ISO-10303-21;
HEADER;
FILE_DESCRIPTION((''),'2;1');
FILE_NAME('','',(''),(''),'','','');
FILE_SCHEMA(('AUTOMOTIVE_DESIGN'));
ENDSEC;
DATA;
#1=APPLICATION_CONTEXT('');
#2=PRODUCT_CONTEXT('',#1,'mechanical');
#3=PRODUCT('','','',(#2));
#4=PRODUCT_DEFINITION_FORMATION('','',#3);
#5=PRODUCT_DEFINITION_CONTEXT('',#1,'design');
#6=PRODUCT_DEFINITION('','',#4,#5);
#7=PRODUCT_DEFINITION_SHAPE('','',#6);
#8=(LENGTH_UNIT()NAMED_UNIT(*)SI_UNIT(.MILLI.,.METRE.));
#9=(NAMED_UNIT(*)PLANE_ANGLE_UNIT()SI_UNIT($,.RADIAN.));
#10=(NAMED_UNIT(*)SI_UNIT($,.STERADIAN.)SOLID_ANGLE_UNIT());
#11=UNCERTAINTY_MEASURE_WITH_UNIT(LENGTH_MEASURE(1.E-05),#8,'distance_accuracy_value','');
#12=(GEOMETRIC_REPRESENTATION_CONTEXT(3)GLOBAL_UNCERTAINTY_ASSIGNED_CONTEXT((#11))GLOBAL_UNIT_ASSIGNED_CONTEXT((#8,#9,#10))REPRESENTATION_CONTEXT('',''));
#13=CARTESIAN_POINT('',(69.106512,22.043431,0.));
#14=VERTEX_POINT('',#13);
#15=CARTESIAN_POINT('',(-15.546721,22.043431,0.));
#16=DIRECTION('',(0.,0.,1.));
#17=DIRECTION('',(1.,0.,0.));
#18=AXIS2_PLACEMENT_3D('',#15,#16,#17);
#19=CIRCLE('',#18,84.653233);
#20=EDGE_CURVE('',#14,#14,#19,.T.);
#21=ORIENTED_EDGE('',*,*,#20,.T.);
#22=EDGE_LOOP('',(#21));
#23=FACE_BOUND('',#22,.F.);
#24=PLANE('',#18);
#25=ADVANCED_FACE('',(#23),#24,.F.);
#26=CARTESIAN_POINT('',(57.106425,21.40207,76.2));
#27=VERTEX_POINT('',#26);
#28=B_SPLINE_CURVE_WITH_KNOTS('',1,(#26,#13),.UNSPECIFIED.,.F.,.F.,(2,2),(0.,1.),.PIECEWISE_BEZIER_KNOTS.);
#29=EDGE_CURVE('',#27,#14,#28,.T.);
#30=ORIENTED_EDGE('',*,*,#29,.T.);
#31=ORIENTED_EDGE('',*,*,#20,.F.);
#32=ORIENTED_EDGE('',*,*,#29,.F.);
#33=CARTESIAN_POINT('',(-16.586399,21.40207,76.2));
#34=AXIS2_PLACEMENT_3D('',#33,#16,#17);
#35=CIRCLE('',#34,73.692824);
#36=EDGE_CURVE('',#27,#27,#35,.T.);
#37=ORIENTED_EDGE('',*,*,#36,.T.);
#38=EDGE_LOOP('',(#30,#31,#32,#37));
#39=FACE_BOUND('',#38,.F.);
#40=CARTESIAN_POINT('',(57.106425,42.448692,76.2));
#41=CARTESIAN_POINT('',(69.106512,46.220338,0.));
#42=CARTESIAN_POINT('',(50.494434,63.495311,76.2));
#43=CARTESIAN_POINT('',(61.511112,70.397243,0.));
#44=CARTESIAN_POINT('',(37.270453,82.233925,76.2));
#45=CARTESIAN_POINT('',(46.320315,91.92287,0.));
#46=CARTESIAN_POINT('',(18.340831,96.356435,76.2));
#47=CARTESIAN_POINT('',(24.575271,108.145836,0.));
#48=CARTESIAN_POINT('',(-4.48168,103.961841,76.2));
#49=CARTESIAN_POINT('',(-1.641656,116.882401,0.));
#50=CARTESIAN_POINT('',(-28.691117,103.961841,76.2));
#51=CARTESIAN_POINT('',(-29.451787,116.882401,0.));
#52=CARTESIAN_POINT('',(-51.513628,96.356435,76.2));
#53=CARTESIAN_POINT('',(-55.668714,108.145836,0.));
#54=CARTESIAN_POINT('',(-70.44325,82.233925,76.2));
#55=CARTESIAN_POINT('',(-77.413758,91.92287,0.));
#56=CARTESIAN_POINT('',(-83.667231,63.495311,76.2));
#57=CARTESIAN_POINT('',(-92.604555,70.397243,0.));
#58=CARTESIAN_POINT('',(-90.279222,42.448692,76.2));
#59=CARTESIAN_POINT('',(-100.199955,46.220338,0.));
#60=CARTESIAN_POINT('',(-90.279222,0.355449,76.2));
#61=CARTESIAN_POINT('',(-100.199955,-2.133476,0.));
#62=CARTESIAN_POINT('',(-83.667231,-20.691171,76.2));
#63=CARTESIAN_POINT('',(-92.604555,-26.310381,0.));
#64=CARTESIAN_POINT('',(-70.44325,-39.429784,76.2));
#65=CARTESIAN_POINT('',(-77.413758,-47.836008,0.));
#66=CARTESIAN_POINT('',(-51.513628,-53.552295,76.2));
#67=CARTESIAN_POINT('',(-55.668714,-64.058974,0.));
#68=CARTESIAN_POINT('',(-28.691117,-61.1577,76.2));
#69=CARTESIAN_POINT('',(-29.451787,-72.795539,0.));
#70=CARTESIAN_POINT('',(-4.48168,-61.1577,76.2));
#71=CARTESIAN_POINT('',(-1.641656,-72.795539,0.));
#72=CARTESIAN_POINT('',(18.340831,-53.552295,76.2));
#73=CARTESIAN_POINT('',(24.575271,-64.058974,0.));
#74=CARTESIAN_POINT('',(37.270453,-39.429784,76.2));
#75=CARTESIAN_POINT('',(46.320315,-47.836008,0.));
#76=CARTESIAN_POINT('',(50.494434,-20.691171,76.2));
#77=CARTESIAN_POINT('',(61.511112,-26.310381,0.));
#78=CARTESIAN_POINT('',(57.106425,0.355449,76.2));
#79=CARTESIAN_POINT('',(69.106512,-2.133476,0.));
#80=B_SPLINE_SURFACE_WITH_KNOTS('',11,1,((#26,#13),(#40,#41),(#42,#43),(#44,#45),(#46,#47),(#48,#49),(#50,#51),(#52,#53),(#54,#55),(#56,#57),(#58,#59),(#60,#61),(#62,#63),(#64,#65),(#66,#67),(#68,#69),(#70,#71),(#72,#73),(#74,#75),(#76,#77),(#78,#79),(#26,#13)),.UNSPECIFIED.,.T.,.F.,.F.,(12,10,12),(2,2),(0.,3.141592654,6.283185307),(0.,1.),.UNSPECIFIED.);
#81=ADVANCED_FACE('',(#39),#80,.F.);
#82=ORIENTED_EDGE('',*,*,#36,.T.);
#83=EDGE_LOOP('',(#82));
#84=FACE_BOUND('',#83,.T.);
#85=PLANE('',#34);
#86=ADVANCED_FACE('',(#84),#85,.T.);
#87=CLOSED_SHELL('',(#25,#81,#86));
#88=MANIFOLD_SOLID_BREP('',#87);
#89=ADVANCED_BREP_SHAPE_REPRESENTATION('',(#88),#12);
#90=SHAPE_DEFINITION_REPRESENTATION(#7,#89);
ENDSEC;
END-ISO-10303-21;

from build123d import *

# Parameters (mm, degrees)
F1_R = 73.6928237847
F2_R = 84.6532332843


with BuildPart() as f3:
    # F1 (on offset) → F3 section 0
    with BuildSketch(Plane.XY.offset(76.2)):
        with Locations((-16.5863987058, 21.4020702988)):
            Circle(F1_R)
    # F2 (on Top) → F3 section 1
    with BuildSketch(Plane.XY):
        with Locations((-15.5467214063, 22.0434311777)):
            Circle(F2_R)
    loft()


solid = f3.part
